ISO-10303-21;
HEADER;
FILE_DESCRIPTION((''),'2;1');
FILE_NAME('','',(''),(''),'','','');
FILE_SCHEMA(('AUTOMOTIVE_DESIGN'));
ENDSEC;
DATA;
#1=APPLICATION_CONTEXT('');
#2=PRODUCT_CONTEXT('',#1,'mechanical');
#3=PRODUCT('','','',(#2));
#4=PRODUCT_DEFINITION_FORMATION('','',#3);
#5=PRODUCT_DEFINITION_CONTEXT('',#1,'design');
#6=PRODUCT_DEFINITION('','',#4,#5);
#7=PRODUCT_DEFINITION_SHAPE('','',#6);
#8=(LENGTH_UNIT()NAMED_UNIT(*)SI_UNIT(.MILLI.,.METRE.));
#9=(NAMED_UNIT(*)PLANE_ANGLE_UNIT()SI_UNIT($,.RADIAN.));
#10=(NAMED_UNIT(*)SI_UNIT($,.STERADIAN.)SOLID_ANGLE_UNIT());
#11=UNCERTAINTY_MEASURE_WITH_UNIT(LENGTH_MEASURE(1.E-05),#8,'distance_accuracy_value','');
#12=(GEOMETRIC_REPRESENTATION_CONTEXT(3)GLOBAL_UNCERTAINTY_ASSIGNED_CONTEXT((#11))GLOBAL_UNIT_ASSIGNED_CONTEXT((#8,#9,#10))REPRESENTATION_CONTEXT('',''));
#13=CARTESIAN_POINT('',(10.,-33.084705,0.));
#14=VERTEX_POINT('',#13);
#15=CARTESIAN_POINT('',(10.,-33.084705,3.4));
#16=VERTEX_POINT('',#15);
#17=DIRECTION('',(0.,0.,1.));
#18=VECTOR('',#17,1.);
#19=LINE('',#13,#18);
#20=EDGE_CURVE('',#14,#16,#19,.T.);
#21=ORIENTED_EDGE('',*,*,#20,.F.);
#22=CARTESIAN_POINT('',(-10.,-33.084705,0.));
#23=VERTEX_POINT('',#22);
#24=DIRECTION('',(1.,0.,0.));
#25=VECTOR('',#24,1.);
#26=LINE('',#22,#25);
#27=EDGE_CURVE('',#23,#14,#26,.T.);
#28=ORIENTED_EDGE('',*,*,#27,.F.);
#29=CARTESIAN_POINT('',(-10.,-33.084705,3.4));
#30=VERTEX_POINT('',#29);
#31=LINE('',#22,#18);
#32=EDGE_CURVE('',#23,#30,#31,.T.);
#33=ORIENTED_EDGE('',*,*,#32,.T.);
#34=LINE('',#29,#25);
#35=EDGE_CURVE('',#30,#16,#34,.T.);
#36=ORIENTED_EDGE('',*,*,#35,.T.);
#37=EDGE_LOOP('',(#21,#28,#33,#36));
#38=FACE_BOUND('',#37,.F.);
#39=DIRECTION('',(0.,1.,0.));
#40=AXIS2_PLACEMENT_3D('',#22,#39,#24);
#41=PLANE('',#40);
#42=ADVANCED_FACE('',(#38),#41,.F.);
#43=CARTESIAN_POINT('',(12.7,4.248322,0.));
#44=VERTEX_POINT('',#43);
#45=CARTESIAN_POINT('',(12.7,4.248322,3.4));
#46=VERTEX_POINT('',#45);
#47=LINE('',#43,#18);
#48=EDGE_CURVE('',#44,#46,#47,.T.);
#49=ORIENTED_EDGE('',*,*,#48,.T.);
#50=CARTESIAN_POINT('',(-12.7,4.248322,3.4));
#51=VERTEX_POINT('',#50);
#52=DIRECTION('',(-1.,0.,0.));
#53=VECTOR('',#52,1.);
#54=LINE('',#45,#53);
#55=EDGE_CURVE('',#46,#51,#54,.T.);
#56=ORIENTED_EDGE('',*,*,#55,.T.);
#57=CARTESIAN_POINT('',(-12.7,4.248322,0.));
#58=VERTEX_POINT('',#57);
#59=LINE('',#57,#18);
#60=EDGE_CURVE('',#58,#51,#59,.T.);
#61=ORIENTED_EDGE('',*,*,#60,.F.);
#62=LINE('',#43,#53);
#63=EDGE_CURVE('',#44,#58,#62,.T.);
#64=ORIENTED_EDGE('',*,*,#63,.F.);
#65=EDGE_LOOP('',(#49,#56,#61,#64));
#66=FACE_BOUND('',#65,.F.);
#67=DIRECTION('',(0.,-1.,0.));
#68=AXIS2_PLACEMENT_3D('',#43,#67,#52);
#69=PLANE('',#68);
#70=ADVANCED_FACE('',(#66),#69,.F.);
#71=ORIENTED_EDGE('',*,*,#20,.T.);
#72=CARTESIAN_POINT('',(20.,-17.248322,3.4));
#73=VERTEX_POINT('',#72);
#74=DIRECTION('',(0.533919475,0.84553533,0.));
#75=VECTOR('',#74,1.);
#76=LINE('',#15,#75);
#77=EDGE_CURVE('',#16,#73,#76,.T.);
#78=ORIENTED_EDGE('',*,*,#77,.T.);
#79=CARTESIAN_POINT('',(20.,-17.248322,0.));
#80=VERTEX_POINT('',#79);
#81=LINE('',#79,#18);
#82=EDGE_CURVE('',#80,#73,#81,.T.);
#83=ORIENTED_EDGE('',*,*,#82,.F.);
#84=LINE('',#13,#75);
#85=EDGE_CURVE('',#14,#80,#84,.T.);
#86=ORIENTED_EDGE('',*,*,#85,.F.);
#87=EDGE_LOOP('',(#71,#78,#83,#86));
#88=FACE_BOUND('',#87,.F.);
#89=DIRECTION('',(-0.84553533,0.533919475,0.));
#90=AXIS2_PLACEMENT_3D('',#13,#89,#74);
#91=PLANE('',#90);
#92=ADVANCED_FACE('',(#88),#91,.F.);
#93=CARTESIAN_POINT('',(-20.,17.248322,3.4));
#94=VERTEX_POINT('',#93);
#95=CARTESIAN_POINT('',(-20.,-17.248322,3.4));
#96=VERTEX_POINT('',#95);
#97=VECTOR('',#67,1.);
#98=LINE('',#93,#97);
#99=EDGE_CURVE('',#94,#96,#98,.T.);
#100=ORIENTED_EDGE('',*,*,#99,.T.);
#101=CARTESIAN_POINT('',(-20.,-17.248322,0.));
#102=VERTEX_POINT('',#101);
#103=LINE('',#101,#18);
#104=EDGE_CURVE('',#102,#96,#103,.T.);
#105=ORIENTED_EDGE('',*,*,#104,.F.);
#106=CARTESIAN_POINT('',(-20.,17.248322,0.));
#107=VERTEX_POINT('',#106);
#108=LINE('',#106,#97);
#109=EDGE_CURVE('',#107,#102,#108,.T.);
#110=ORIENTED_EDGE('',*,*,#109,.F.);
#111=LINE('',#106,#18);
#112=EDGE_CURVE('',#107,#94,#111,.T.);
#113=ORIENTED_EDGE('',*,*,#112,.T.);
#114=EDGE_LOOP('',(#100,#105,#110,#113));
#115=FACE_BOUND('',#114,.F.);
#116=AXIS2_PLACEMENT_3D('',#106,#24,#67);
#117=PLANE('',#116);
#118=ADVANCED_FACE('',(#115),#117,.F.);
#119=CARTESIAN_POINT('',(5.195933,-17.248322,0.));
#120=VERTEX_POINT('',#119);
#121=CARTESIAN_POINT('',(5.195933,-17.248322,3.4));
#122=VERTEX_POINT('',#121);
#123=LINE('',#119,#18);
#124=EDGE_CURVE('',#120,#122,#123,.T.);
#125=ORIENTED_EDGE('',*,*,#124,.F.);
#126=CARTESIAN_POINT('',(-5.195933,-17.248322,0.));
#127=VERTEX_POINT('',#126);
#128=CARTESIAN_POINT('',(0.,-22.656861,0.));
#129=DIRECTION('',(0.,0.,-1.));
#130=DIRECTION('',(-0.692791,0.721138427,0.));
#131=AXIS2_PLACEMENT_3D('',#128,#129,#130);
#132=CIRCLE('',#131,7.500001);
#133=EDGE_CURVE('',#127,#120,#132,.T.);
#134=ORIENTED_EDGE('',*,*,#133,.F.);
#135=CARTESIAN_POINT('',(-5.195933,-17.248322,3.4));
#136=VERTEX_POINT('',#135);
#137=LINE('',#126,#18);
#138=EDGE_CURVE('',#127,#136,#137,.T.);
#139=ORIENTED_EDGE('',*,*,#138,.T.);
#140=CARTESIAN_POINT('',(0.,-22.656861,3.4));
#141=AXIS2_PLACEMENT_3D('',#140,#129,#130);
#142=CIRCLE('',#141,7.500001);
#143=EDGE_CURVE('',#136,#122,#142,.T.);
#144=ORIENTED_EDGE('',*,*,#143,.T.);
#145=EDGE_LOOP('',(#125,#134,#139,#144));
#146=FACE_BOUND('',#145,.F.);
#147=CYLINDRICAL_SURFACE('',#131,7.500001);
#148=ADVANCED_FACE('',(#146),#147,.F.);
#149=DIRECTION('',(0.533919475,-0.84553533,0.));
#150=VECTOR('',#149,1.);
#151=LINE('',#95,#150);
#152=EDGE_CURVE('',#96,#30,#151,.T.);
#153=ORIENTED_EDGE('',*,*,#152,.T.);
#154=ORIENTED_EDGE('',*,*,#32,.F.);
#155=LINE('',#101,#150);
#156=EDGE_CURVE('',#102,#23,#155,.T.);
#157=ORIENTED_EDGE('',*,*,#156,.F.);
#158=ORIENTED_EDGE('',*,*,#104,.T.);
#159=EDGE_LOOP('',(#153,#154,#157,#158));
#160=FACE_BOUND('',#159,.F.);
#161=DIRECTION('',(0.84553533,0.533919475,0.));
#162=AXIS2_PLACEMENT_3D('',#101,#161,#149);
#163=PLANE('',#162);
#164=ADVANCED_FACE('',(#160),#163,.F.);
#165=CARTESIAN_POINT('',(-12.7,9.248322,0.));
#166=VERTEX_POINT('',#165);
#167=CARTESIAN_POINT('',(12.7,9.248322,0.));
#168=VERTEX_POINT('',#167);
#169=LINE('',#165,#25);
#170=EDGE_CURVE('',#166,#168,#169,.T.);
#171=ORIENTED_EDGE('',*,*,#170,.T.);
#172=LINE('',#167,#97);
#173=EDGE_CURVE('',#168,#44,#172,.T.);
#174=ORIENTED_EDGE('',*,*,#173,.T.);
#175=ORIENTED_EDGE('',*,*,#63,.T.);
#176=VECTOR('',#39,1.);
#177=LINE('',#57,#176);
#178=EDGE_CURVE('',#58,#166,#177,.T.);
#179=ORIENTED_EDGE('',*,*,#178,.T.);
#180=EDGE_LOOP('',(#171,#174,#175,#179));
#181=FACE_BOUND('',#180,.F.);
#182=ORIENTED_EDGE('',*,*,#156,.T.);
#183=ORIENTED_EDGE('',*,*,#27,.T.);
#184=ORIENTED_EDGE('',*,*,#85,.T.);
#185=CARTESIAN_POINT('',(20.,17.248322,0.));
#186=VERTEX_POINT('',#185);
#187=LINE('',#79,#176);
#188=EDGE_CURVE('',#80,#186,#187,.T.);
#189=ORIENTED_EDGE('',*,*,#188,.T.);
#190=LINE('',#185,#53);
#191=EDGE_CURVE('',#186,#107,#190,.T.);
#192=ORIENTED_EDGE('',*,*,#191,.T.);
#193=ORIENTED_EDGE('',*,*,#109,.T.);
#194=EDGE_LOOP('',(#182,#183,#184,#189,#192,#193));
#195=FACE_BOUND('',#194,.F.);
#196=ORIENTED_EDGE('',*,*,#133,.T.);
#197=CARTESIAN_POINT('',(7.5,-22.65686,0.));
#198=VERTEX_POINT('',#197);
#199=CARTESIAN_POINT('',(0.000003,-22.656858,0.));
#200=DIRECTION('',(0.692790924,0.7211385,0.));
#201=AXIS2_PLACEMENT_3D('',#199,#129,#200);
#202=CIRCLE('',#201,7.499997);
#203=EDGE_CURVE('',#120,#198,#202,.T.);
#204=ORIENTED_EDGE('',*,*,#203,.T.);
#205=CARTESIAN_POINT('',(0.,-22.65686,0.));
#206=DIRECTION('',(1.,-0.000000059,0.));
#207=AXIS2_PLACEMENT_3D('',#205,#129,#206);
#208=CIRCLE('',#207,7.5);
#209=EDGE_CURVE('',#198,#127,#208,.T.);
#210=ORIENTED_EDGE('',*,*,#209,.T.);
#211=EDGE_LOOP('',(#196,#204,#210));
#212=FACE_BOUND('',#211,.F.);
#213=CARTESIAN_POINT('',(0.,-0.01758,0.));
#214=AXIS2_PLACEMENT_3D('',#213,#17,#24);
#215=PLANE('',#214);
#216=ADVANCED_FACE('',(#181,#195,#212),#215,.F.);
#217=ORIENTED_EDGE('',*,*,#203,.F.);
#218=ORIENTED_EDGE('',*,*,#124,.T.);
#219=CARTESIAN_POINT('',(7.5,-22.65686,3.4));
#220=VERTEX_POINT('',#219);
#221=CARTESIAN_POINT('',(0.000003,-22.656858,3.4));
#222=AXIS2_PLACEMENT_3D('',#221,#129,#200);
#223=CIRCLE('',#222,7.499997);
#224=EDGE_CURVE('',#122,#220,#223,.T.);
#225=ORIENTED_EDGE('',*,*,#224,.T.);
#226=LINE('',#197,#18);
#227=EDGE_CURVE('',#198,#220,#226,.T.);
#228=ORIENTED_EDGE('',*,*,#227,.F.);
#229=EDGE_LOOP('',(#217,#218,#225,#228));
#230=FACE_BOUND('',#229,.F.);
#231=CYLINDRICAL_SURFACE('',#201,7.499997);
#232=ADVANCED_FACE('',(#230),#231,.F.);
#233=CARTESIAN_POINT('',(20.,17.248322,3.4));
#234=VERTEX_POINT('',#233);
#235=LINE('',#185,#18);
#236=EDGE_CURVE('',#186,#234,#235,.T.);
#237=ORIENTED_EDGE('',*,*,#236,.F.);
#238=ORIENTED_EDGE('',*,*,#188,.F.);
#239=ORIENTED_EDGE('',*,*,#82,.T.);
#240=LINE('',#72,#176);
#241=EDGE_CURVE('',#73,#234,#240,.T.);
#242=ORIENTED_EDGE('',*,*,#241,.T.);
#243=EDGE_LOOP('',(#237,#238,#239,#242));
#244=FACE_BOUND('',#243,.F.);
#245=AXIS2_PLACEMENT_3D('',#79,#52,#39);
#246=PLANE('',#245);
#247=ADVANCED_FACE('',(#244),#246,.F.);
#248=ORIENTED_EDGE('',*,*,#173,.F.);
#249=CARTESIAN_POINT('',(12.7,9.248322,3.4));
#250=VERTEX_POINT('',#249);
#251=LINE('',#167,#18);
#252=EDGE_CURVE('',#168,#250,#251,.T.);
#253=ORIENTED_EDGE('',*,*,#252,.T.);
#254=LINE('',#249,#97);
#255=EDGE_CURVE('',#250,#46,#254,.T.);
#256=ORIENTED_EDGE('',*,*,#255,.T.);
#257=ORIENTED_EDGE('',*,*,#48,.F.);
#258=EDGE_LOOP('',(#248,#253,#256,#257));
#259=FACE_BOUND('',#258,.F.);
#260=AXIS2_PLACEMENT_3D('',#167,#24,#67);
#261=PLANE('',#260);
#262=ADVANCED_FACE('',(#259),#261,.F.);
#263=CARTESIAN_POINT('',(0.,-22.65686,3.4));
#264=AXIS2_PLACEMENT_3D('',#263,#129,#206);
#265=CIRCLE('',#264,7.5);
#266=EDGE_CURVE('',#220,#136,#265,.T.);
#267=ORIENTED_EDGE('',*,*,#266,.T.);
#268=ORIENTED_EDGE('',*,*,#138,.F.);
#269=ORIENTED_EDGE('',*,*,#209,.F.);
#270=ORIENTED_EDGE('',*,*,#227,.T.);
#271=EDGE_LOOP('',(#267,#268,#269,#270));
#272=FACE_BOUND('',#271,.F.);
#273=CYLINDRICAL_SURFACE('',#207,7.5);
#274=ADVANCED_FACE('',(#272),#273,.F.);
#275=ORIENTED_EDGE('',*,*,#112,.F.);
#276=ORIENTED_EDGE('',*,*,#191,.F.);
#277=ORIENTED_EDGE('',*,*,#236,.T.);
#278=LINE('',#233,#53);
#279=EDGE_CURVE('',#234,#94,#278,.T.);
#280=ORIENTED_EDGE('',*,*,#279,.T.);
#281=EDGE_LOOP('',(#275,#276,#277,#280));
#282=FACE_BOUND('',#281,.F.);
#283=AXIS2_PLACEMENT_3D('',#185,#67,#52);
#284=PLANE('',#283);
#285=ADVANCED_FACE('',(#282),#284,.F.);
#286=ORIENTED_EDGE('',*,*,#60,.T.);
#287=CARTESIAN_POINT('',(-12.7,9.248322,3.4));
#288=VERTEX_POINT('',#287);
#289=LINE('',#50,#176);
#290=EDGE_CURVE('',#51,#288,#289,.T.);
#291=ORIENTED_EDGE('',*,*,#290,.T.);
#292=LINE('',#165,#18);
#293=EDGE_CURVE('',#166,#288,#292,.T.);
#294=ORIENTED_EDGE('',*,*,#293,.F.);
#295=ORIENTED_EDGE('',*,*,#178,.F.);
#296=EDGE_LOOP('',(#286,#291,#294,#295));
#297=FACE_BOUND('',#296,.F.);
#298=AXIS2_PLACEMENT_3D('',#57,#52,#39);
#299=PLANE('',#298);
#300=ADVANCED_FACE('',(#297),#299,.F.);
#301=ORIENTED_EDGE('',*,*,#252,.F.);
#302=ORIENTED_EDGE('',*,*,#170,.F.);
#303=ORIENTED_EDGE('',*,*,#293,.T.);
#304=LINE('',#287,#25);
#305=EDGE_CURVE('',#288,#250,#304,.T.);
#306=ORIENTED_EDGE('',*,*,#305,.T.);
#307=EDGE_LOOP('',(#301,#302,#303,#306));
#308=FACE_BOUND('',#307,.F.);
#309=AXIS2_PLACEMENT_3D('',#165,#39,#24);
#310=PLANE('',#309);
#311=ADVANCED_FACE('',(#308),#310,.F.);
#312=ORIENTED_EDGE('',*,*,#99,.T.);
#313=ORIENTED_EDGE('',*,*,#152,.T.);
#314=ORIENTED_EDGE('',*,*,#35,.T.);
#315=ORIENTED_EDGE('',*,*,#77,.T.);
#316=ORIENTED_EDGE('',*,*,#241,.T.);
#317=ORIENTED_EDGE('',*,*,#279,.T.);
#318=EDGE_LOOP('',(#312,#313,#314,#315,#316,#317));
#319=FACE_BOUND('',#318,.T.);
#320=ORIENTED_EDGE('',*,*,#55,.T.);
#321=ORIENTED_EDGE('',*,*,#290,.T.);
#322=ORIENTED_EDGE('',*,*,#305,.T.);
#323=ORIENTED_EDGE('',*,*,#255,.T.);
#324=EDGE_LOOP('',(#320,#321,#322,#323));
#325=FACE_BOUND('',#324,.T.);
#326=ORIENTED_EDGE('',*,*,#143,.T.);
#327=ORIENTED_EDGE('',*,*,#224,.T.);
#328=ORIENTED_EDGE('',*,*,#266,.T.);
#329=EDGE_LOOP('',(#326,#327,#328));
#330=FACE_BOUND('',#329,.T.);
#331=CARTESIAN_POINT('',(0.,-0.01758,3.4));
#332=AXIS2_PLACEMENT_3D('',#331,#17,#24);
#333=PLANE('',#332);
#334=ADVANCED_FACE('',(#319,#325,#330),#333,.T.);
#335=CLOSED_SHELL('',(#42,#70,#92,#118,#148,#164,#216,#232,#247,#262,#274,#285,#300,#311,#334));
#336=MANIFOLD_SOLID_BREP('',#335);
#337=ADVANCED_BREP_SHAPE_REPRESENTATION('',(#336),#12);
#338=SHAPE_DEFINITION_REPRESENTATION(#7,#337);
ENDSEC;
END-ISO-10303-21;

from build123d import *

# Parameters (mm, degrees)
F1_DEPTH = 3.4
F2_DEPTH = 3.4


with BuildPart() as f1:
    # F0 (on Top) → F1 (new body)
    with BuildSketch(Plane.XY):
        with BuildLine():
            Line((5.195933, -17.248322), (20, -17.248322))
            Line((20, -17.248322), (20, 17.248322))
            Line((20, 17.248322), (-20, 17.248322))
            Line((-20, 17.248322), (-20, -17.248322))
            Line((-20, -17.248322), (-5.195933, -17.248322))
            ThreePointArc((-5.195933, -17.248322), (0, -15.15686), (5.195933, -17.248322))
        make_face()
        Polygon((0, 9.248322), (12.7, 9.248322), (12.7, 4.248322), (-12.7, 4.248322), (-12.7, 9.248322), align=None, mode=Mode.SUBTRACT)
        with BuildLine():
            Line((10, -33.084705), (20, -17.248322))
            Line((20, -17.248322), (5.195933, -17.248322))
            ThreePointArc((5.195933, -17.248322), (6.899982, -19.717429), (7.5, -22.65686))
            ThreePointArc((7.5, -22.65686), (-2.939431, -29.556841), (-5.195933, -17.248322))
            Line((-5.195933, -17.248322), (-20, -17.248322))
            Line((-20, -17.248322), (-10, -33.084705))
            Line((-10, -33.084705), (0, -33.084705))
            Line((0, -33.084705), (10, -33.084705))
        make_face()
    extrude(amount=F1_DEPTH)

    # F0 (on Top) → F2 (join)
    with BuildSketch(Plane.XY):
        with BuildLine():
            Line((10, -33.084705), (20, -17.248322))
            Line((20, -17.248322), (5.195933, -17.248322))
            ThreePointArc((5.195933, -17.248322), (6.899982, -19.717429), (7.5, -22.65686))
            ThreePointArc((7.5, -22.65686), (-2.939431, -29.556841), (-5.195933, -17.248322))
            Line((-5.195933, -17.248322), (-20, -17.248322))
            Line((-20, -17.248322), (-10, -33.084705))
            Line((-10, -33.084705), (0, -33.084705))
            Line((0, -33.084705), (10, -33.084705))
        make_face()
        with BuildLine():
            Line((5.195933, -17.248322), (20, -17.248322))
            Line((20, -17.248322), (20, 17.248322))
            Line((20, 17.248322), (-20, 17.248322))
            Line((-20, 17.248322), (-20, -17.248322))
            Line((-20, -17.248322), (-5.195933, -17.248322))
            ThreePointArc((-5.195933, -17.248322), (0, -15.15686), (5.195933, -17.248322))
        make_face()
        Polygon((0, 9.248322), (12.7, 9.248322), (12.7, 4.248322), (-12.7, 4.248322), (-12.7, 9.248322), align=None, mode=Mode.SUBTRACT)
    extrude(amount=F2_DEPTH)


solid = f1.part
